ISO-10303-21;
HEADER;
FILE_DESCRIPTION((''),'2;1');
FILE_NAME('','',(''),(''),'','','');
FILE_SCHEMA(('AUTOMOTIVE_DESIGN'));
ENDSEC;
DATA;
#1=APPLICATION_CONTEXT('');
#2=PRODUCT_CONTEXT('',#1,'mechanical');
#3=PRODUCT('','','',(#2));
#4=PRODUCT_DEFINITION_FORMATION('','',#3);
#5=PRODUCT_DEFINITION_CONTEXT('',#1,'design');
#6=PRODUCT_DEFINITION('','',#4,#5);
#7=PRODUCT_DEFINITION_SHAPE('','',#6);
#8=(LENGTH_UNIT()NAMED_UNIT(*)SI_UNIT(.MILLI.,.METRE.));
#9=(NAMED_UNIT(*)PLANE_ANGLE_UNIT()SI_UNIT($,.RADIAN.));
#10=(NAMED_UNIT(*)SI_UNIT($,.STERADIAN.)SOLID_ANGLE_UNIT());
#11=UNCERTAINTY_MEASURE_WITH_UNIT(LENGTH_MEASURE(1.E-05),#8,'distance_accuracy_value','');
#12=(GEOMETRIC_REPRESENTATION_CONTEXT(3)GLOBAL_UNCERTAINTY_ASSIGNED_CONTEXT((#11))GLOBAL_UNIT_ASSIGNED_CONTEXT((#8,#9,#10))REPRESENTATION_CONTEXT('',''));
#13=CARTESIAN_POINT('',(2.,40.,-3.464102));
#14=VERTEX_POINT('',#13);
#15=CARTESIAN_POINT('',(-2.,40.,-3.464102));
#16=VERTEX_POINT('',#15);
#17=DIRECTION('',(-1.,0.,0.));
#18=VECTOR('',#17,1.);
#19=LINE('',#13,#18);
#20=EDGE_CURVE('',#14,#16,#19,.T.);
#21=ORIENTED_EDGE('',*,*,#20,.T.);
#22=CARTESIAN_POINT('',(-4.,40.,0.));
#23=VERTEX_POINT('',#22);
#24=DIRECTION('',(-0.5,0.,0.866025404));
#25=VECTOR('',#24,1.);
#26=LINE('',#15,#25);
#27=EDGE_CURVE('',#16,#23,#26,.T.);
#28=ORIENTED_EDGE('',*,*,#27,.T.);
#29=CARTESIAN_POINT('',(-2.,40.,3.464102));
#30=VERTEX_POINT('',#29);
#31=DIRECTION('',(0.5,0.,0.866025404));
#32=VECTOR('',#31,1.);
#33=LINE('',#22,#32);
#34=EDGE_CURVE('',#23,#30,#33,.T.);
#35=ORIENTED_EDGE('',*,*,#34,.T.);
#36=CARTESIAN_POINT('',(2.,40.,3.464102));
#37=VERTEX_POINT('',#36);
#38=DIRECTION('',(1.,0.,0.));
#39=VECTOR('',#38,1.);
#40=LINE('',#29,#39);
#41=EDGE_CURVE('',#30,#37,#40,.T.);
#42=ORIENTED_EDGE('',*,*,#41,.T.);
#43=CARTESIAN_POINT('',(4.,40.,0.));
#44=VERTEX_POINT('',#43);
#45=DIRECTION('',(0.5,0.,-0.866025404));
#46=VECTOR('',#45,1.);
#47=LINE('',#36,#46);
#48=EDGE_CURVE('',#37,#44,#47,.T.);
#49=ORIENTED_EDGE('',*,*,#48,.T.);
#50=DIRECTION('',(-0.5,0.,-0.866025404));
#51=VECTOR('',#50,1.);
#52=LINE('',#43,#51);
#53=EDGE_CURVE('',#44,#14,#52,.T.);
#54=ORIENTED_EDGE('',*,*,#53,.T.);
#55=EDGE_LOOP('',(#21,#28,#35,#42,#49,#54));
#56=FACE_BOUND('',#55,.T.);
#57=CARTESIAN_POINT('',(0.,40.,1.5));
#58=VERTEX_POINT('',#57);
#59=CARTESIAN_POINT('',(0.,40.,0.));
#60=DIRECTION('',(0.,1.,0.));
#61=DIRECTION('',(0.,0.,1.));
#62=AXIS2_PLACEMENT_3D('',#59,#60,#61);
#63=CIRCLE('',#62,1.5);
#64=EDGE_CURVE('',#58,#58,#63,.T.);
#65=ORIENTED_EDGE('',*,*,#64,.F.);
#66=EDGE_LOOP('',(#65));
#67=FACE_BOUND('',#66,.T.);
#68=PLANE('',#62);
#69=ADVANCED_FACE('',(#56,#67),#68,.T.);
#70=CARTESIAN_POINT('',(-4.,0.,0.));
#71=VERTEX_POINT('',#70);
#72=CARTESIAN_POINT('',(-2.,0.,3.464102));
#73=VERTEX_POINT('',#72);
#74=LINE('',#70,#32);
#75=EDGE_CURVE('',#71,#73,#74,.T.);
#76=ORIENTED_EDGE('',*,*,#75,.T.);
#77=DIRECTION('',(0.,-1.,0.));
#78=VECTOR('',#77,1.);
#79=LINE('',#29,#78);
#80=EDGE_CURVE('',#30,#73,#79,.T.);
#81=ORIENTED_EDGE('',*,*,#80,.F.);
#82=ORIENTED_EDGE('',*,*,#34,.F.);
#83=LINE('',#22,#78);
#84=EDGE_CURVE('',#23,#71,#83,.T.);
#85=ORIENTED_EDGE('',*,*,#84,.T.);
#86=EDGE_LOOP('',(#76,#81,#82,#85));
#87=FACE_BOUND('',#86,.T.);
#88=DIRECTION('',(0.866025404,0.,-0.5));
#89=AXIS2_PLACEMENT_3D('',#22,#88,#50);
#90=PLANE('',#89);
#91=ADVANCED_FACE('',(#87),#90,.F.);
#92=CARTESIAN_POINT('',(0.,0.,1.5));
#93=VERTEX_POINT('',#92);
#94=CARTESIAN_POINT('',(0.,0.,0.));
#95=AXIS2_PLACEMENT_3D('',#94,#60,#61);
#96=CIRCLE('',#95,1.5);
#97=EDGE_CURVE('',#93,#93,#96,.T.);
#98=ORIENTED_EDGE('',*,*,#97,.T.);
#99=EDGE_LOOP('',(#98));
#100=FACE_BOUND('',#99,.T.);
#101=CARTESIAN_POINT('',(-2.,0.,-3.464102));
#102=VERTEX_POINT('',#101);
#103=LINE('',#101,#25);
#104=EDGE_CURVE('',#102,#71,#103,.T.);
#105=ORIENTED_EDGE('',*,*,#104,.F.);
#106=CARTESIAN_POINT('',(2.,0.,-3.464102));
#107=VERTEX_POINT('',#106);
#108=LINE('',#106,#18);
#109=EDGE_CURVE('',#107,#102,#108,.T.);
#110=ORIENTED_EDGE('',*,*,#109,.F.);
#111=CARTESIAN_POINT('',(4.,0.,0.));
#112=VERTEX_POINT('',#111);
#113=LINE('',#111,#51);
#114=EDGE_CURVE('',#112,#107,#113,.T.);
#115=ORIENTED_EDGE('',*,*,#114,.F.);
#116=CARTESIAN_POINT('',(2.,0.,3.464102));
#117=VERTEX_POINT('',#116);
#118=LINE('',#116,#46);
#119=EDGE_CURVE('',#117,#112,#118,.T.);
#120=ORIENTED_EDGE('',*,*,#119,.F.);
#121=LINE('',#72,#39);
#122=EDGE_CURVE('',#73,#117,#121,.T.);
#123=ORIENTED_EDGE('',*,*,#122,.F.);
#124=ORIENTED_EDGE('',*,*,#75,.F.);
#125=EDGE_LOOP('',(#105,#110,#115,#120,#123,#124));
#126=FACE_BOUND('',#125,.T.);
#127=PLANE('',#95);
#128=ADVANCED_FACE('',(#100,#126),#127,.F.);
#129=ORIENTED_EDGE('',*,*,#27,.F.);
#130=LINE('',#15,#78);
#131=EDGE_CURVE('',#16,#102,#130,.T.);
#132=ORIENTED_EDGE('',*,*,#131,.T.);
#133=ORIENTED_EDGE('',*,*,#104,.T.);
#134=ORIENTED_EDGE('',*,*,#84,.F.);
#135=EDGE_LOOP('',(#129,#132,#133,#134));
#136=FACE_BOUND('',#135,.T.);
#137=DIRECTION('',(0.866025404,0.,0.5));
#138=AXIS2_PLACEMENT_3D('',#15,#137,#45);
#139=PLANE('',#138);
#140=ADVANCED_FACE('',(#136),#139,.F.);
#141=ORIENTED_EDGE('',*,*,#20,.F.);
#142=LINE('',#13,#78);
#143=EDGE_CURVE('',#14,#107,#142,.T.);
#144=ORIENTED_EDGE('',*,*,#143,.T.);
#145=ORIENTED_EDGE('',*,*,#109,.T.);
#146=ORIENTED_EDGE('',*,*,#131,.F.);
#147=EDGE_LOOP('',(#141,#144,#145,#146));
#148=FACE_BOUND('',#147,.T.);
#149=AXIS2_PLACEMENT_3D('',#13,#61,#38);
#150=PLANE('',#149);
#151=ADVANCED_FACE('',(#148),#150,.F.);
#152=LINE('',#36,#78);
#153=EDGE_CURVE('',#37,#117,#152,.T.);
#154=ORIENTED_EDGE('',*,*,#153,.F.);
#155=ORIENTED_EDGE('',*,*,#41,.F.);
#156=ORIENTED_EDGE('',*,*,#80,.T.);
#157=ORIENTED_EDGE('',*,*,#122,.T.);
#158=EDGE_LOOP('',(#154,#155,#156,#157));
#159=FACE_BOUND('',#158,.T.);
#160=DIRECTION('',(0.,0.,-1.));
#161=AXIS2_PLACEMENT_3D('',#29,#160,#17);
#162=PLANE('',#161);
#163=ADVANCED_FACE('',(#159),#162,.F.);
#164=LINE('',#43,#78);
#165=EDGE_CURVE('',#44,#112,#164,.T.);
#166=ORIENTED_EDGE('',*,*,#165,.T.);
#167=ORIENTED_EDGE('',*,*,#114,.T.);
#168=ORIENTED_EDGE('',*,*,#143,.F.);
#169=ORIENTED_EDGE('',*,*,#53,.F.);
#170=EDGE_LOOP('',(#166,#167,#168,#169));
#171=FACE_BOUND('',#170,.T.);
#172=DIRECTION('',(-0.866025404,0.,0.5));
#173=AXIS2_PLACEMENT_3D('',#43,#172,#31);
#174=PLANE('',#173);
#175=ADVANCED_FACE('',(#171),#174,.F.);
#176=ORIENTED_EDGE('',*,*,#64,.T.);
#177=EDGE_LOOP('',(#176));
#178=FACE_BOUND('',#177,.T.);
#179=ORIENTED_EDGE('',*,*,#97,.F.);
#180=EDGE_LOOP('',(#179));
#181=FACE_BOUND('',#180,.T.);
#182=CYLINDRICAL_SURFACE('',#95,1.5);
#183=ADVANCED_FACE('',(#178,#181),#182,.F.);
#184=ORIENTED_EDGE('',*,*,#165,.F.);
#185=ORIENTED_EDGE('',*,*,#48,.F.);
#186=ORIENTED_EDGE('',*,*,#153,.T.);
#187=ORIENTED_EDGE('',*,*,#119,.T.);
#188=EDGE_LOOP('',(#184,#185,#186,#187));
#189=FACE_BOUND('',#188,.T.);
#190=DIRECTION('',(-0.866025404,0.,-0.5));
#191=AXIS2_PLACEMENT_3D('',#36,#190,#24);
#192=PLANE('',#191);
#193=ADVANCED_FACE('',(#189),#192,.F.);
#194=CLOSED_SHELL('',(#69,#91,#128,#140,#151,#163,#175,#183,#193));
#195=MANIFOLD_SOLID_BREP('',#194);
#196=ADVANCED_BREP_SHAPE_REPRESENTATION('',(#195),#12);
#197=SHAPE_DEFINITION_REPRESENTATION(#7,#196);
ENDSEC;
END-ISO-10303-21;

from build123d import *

# Parameters (mm, degrees)
BOSS_EXTRUDE1_DEPTH = 40
SKETCH2_R           = 1.5
CUT_EXTRUDE1_DEPTH  = 40


with BuildPart() as part:
    # Sketch1 → Boss-Extrude1 (new body)
    with BuildSketch(Plane(origin=(0, 0, 0), x_dir=(1, 0, 0), z_dir=(0, 1, 0))):
        Polygon((-4, 0), (-2, -3.464101615), (2, -3.464101615), (4, 0), (2, 3.464101615), (-2, 3.464101615), align=None)
    extrude(amount=BOSS_EXTRUDE1_DEPTH)

    # Sketch2 → Cut-Extrude1 (cut)
    with BuildSketch(Plane(origin=(0, 40, 0), x_dir=(1, 0, 0), z_dir=(0, 1, 0))):
        with Locations(Location((0, 0, 0), (0, 0, 270))):
            Circle(SKETCH2_R)
    extrude(amount=-CUT_EXTRUDE1_DEPTH, mode=Mode.SUBTRACT)


solid = part.part
